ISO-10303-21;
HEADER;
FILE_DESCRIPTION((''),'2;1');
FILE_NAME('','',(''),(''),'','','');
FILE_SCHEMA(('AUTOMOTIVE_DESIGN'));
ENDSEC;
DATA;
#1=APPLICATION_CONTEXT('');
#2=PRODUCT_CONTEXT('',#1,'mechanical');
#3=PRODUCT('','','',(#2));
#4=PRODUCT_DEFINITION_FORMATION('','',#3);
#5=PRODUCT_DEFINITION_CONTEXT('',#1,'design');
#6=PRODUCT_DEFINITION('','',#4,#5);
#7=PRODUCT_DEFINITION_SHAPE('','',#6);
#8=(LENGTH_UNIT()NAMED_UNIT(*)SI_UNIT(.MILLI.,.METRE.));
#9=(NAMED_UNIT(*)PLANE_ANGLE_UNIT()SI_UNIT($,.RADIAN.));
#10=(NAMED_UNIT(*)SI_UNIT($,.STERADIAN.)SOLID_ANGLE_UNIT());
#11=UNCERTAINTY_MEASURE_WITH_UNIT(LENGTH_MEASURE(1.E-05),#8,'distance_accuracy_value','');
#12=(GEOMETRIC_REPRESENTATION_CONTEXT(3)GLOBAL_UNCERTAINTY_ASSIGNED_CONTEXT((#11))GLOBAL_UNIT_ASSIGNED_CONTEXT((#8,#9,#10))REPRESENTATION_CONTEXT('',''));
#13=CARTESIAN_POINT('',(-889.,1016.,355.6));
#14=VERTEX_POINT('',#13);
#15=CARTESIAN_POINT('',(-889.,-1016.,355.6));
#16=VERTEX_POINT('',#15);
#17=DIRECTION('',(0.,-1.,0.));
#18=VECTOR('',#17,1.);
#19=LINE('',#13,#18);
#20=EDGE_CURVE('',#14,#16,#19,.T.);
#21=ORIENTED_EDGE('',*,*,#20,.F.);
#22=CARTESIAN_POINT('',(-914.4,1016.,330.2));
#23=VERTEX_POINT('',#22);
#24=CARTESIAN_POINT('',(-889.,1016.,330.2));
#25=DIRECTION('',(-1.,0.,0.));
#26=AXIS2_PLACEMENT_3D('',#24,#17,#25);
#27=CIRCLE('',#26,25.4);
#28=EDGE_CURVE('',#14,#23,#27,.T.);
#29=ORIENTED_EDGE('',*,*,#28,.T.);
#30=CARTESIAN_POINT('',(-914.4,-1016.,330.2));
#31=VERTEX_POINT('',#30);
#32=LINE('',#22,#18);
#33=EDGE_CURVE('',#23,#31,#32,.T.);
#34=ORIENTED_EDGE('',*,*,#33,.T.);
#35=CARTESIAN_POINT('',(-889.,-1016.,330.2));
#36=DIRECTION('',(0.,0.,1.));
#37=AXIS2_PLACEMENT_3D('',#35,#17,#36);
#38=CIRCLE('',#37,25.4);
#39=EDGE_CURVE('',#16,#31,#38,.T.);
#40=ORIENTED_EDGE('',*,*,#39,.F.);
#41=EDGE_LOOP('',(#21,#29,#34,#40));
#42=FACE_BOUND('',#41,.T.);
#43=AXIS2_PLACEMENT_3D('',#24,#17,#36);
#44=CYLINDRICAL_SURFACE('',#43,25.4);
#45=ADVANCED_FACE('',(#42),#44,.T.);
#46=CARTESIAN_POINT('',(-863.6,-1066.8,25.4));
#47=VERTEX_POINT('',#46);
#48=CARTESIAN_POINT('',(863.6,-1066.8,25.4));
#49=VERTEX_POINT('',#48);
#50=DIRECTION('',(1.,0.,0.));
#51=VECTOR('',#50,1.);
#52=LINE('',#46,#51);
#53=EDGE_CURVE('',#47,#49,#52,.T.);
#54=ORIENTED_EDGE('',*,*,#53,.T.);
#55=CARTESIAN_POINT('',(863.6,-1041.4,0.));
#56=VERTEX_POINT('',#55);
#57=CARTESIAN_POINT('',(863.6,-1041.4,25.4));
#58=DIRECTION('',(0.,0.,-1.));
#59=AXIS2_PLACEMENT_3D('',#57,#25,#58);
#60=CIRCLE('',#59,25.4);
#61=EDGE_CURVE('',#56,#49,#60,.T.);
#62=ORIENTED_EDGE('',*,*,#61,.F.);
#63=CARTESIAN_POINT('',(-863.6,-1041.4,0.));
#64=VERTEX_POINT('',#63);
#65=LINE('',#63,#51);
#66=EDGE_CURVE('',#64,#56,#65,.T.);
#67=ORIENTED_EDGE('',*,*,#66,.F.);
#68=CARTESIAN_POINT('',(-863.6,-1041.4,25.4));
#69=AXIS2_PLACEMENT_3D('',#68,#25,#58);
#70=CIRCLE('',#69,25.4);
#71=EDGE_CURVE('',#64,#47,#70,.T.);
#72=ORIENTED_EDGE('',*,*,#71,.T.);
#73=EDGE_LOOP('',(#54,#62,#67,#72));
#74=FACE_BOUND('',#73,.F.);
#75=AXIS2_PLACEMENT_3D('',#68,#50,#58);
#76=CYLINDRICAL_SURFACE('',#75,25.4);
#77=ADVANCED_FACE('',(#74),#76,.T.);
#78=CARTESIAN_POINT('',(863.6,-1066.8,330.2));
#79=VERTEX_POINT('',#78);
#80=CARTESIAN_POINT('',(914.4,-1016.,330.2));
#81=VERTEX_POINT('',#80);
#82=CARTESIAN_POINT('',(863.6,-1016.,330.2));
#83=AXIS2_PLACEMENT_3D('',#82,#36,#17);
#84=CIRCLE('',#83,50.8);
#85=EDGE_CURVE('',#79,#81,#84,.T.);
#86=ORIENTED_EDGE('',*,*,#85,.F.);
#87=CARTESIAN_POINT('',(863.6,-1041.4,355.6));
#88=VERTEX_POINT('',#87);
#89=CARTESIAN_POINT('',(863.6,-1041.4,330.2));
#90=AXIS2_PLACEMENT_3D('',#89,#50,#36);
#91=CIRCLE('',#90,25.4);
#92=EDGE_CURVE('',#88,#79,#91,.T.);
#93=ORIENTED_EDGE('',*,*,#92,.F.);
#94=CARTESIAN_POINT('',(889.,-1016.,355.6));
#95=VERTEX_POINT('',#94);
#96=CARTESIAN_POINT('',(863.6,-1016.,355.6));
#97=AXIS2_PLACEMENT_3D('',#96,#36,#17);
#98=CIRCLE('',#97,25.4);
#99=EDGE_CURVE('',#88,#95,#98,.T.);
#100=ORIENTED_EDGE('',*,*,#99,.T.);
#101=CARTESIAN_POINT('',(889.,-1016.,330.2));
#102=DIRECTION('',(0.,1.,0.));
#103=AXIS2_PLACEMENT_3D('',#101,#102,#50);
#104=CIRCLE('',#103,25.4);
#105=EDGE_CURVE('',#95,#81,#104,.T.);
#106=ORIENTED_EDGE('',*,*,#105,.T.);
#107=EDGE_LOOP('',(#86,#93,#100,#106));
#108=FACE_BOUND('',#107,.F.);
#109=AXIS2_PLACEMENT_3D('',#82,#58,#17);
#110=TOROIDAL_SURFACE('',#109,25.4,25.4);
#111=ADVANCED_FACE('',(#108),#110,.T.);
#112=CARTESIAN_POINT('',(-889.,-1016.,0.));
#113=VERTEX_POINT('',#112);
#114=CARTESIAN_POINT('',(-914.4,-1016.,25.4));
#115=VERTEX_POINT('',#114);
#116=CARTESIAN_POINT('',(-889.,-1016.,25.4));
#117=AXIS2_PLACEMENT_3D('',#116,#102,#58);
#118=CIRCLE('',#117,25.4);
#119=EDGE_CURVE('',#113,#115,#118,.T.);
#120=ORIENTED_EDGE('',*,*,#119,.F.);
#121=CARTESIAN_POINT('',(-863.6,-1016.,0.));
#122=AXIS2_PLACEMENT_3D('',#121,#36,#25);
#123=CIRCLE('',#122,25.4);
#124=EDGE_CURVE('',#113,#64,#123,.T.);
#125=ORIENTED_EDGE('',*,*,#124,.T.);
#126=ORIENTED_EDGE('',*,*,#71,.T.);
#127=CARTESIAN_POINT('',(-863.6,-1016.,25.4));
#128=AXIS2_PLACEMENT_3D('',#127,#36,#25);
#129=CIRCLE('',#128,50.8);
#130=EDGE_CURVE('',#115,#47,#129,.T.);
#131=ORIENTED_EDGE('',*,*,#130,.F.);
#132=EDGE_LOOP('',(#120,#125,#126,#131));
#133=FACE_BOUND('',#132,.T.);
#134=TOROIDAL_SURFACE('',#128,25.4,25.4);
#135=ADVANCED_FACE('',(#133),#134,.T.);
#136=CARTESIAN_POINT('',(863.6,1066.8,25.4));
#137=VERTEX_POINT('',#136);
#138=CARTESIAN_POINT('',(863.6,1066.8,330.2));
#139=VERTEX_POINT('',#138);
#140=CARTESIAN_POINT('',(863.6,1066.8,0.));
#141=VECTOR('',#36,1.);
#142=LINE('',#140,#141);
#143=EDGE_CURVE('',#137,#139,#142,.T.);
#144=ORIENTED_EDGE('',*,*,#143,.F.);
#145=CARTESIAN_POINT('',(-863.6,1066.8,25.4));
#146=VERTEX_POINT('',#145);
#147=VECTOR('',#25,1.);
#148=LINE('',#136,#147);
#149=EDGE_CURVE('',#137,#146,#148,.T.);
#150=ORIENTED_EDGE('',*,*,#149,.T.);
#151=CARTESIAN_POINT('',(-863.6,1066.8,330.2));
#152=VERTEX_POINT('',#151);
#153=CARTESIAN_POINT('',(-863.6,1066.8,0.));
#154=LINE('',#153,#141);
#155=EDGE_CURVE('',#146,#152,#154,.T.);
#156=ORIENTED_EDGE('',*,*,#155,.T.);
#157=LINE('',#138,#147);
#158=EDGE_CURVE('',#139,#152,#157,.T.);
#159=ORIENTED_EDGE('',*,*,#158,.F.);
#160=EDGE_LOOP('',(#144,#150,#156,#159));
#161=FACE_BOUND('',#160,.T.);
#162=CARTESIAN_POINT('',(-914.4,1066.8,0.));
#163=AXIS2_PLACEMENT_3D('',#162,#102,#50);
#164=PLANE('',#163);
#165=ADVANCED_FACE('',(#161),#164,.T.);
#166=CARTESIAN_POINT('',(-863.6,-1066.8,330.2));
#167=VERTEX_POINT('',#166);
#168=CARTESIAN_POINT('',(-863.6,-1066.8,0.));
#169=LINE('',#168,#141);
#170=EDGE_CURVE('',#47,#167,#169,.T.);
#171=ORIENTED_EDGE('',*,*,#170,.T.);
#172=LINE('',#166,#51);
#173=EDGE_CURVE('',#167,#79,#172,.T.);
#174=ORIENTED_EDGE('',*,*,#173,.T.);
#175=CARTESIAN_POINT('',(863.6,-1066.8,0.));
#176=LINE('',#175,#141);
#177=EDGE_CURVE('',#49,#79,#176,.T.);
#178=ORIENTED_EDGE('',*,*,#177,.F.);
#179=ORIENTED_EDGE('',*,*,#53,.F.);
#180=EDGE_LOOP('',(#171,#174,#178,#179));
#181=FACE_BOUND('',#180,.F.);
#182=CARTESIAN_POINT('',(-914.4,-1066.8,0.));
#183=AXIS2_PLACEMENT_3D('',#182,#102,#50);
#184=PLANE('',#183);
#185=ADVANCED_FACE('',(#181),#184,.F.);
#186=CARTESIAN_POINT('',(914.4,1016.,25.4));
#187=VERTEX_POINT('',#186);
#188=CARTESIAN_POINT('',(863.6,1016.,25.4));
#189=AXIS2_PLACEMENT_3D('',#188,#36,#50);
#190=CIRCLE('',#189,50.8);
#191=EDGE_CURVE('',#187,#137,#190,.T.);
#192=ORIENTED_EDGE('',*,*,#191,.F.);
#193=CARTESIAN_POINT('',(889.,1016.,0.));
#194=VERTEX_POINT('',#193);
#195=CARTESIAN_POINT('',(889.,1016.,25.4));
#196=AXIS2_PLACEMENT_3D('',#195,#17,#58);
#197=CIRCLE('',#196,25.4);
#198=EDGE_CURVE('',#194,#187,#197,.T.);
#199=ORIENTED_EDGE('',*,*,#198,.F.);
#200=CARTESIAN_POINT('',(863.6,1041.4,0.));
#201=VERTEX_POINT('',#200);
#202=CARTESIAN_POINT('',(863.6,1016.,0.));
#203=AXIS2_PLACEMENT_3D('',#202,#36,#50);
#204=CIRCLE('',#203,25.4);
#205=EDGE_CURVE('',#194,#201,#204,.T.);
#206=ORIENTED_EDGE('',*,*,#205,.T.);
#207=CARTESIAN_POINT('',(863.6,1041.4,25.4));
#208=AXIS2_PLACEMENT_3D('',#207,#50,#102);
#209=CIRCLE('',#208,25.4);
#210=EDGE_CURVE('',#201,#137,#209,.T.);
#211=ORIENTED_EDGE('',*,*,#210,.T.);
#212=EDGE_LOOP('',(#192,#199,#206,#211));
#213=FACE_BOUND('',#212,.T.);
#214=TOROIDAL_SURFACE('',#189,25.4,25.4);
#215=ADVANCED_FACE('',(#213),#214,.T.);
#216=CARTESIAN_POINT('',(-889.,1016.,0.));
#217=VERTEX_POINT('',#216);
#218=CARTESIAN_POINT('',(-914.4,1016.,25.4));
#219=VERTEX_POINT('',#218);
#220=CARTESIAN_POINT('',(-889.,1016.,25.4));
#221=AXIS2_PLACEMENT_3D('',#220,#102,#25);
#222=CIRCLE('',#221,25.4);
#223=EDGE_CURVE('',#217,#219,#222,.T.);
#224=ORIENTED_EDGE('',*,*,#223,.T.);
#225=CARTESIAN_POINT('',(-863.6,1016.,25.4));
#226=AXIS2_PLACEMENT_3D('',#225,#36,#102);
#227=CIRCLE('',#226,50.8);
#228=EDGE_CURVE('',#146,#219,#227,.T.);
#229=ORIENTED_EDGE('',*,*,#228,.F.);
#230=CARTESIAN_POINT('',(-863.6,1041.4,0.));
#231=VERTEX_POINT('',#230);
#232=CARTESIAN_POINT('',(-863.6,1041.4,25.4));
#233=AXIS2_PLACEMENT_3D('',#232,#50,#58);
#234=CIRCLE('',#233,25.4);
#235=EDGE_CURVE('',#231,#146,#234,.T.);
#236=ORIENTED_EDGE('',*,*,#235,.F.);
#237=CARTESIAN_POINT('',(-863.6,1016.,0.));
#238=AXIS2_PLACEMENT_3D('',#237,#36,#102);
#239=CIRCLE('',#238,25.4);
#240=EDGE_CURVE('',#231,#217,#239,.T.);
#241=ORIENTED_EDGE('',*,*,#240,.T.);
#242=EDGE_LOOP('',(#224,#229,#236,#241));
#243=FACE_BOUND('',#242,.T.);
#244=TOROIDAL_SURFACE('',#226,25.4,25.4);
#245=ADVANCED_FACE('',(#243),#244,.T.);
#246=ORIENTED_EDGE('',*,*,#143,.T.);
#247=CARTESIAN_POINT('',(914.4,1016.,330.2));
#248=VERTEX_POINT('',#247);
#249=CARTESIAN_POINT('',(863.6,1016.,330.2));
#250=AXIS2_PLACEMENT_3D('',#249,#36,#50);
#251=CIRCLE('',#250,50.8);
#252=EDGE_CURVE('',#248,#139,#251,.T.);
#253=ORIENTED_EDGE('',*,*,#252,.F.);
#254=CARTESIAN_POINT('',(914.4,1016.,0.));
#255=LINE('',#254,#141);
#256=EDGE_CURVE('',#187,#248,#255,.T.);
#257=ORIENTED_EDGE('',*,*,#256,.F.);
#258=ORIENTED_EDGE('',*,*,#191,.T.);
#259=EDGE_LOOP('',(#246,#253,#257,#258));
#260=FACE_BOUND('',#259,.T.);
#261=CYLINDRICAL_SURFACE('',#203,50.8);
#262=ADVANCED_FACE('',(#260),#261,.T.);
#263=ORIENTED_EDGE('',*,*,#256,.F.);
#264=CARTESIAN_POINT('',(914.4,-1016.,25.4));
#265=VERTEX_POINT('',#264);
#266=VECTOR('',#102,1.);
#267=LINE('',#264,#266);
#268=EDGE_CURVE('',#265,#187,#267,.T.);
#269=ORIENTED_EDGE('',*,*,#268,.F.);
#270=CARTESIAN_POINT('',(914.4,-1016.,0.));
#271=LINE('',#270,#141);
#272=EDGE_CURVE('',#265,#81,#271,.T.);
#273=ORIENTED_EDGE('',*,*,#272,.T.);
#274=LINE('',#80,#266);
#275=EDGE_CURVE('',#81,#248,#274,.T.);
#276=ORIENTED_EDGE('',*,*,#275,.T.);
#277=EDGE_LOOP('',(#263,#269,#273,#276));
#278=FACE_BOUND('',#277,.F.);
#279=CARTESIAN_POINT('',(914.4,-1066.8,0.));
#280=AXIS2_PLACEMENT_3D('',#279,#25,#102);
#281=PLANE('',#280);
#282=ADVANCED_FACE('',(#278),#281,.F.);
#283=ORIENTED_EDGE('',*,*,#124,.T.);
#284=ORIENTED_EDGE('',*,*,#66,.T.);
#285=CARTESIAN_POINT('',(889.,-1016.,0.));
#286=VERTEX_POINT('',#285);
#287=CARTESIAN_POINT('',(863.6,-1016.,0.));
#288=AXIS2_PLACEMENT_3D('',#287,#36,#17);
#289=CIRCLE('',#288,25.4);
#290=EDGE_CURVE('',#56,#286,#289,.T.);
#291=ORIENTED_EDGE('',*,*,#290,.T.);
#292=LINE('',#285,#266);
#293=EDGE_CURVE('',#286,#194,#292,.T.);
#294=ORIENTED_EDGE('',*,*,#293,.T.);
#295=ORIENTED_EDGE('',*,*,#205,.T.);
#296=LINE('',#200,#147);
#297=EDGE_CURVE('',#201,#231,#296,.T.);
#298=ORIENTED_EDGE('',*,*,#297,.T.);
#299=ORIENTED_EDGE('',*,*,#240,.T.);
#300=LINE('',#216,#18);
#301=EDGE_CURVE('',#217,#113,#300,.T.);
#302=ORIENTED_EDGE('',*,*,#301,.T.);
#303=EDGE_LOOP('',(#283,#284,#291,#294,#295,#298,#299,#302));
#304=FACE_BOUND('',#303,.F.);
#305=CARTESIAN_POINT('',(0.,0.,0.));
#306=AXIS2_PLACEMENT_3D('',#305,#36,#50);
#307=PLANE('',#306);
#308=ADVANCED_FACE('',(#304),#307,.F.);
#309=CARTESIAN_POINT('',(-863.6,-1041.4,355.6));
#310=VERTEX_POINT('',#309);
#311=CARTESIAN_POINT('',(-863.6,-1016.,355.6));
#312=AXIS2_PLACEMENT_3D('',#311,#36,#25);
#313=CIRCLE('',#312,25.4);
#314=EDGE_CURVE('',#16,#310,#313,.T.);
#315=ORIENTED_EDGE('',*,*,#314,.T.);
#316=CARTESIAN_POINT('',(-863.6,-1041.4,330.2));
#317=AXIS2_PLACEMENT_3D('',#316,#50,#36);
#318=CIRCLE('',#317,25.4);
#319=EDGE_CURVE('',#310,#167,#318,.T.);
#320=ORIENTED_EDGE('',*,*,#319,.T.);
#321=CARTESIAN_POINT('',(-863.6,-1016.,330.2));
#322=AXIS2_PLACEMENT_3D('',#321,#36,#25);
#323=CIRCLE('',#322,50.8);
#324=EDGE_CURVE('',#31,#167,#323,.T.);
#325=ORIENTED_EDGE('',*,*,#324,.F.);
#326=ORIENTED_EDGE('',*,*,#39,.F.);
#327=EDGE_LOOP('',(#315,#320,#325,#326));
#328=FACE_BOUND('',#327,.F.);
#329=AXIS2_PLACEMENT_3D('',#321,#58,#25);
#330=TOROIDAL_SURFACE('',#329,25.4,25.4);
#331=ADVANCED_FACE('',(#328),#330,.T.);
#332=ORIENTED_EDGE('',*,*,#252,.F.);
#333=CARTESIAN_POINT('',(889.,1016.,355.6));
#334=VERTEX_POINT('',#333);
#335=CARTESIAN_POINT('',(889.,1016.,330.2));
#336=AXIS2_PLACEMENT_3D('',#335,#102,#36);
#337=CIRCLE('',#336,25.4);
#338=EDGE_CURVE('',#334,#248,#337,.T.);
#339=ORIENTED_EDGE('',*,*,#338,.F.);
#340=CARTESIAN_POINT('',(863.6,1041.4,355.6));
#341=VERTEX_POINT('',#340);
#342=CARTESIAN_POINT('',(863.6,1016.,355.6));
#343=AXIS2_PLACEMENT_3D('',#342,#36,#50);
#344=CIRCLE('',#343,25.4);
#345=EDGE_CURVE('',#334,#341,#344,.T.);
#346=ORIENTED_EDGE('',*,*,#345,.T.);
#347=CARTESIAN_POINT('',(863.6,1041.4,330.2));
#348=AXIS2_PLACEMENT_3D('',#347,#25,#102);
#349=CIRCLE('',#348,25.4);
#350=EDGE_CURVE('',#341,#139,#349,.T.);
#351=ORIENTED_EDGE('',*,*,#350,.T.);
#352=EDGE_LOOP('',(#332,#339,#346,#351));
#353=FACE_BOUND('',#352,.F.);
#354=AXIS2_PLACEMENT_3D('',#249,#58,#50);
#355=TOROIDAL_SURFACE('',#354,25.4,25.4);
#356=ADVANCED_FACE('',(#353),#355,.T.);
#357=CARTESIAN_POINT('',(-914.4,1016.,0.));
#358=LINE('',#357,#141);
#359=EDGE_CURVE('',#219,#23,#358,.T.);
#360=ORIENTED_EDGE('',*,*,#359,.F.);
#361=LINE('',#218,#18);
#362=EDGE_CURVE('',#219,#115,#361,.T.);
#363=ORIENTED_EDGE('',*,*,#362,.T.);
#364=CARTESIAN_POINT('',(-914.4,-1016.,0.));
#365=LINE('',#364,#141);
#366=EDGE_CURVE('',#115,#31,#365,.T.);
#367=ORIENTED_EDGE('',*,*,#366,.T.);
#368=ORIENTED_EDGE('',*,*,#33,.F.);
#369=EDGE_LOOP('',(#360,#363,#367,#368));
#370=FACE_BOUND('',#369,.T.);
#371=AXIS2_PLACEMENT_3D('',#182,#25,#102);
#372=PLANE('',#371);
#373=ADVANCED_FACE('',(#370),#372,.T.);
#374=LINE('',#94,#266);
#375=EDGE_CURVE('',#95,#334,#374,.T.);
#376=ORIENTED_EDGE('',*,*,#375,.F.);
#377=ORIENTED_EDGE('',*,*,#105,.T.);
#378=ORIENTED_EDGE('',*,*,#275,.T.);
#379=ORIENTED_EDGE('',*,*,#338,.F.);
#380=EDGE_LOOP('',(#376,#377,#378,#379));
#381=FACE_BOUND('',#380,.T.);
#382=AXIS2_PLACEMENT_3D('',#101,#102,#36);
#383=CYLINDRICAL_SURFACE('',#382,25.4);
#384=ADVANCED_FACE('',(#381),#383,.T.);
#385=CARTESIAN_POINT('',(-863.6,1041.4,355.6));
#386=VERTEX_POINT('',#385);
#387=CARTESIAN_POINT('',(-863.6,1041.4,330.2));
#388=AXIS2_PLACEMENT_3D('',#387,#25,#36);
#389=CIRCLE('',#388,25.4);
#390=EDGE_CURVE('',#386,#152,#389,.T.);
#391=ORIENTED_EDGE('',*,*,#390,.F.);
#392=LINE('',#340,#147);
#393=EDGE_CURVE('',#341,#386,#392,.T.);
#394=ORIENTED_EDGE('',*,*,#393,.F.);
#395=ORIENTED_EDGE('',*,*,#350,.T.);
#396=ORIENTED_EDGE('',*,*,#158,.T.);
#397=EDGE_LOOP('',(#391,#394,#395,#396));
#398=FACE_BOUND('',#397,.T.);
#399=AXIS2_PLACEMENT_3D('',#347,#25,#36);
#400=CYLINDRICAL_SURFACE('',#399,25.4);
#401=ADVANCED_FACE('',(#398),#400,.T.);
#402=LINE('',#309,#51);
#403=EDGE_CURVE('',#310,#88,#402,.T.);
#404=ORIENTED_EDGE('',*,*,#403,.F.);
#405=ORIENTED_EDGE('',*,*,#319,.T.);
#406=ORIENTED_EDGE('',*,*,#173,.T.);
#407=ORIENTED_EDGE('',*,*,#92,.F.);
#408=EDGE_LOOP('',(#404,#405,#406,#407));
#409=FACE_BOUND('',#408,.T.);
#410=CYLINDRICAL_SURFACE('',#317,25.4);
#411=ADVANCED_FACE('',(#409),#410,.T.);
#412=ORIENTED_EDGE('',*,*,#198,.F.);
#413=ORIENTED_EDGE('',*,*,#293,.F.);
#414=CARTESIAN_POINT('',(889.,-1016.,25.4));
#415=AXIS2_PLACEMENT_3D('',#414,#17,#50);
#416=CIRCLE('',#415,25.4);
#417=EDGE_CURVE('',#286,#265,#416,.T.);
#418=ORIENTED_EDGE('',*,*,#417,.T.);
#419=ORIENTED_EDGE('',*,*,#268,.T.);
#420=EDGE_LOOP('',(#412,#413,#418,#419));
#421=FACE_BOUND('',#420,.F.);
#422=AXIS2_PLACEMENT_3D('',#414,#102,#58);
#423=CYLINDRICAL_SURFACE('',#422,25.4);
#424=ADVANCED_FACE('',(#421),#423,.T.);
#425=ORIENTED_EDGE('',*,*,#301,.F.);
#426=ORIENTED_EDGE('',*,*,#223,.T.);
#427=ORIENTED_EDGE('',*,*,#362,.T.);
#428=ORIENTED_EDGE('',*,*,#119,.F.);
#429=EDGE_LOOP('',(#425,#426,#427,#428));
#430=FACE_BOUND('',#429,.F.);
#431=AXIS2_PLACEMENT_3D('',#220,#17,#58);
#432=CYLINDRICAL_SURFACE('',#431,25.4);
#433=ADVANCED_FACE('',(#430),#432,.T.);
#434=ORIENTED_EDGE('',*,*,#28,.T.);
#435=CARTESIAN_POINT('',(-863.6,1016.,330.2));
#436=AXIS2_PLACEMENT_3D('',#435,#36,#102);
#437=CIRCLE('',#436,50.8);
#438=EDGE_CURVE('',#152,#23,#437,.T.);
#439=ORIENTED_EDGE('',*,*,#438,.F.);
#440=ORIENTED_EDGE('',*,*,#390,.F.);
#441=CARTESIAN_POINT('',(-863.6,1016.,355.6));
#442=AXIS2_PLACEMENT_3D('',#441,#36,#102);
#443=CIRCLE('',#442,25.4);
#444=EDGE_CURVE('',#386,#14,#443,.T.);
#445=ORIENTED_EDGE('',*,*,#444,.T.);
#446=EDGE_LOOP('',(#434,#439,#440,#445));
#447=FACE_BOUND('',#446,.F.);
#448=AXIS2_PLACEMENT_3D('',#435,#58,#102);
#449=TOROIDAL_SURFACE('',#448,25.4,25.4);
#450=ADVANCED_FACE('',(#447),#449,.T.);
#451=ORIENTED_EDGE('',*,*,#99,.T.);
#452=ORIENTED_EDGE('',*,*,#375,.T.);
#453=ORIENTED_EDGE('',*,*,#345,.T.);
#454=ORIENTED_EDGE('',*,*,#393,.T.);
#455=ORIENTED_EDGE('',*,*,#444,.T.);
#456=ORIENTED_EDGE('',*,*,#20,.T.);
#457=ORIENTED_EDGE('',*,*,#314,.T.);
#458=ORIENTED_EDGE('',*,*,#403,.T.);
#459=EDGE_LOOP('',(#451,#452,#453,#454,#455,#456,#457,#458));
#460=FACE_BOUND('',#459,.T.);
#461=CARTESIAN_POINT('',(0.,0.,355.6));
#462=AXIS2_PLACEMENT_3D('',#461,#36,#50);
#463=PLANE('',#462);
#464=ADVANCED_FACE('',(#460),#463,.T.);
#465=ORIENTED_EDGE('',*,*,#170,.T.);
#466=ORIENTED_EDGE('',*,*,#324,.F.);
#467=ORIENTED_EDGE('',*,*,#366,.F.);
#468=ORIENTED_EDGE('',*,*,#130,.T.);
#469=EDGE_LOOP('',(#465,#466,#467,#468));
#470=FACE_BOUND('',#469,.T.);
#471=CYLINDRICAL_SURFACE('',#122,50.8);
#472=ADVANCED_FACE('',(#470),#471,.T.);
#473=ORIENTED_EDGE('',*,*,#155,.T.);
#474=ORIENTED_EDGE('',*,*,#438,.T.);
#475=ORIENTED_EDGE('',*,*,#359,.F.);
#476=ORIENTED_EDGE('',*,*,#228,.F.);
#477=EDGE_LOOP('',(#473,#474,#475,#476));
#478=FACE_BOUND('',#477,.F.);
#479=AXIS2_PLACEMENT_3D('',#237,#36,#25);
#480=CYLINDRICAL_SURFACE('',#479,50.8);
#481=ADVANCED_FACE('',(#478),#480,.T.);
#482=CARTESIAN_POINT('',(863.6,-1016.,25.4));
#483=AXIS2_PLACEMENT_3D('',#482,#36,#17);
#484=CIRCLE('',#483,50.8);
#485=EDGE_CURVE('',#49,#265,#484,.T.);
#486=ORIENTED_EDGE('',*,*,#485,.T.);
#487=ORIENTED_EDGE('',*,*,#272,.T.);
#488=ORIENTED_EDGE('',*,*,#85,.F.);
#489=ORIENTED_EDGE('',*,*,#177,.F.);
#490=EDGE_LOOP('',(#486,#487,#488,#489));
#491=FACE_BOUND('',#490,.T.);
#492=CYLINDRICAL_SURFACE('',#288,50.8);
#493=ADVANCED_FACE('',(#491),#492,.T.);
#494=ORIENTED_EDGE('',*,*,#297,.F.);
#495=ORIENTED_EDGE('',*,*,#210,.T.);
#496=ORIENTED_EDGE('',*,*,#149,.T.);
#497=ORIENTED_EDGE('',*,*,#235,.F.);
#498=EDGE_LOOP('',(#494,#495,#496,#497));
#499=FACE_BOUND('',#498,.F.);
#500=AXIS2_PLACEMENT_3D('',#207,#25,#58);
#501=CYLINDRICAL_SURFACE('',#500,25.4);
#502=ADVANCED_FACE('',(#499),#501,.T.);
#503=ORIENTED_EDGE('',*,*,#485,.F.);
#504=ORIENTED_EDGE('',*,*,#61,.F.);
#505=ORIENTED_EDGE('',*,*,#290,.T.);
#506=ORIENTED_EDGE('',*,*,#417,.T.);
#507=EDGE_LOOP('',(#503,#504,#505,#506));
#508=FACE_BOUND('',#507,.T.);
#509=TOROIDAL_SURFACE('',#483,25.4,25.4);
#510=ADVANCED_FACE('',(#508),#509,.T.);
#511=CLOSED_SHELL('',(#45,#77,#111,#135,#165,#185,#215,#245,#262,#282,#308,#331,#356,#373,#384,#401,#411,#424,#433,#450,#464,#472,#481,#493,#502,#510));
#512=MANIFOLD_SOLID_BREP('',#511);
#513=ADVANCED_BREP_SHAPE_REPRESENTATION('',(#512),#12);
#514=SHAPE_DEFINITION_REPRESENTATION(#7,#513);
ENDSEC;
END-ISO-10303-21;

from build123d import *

# Parameters (mm, degrees)
F0_W     = 1828.8
F0_H     = 2133.6
F1_DEPTH = 355.6
F2_R     = 50.8
F3_R     = 25.4


with BuildPart() as f1:
    # F0 (on Top) → F1 (new body)
    with BuildSketch(Plane.XY):
        Rectangle(F0_W, F0_H)
    extrude(amount=F1_DEPTH)

    # F2
    f2_edges = [f1.edges().sort_by_distance(p)[0] for p in [
        (-914.4, 1066.8, 177.8),
        (-914.4, -1066.8, 177.8),
        (914.4, 1066.8, 177.8),
        (914.4, -1066.8, 177.8),
    ]]
    fillet(f2_edges, radius=F2_R)

    # F3
    f3_edges = [f1.edges().sort_by_distance(p)[0] for p in [
        (0, -1066.8, 355.6),
        (0, -1066.8, 0),
    ]]
    fillet(f3_edges, radius=F3_R)


solid = f1.part
